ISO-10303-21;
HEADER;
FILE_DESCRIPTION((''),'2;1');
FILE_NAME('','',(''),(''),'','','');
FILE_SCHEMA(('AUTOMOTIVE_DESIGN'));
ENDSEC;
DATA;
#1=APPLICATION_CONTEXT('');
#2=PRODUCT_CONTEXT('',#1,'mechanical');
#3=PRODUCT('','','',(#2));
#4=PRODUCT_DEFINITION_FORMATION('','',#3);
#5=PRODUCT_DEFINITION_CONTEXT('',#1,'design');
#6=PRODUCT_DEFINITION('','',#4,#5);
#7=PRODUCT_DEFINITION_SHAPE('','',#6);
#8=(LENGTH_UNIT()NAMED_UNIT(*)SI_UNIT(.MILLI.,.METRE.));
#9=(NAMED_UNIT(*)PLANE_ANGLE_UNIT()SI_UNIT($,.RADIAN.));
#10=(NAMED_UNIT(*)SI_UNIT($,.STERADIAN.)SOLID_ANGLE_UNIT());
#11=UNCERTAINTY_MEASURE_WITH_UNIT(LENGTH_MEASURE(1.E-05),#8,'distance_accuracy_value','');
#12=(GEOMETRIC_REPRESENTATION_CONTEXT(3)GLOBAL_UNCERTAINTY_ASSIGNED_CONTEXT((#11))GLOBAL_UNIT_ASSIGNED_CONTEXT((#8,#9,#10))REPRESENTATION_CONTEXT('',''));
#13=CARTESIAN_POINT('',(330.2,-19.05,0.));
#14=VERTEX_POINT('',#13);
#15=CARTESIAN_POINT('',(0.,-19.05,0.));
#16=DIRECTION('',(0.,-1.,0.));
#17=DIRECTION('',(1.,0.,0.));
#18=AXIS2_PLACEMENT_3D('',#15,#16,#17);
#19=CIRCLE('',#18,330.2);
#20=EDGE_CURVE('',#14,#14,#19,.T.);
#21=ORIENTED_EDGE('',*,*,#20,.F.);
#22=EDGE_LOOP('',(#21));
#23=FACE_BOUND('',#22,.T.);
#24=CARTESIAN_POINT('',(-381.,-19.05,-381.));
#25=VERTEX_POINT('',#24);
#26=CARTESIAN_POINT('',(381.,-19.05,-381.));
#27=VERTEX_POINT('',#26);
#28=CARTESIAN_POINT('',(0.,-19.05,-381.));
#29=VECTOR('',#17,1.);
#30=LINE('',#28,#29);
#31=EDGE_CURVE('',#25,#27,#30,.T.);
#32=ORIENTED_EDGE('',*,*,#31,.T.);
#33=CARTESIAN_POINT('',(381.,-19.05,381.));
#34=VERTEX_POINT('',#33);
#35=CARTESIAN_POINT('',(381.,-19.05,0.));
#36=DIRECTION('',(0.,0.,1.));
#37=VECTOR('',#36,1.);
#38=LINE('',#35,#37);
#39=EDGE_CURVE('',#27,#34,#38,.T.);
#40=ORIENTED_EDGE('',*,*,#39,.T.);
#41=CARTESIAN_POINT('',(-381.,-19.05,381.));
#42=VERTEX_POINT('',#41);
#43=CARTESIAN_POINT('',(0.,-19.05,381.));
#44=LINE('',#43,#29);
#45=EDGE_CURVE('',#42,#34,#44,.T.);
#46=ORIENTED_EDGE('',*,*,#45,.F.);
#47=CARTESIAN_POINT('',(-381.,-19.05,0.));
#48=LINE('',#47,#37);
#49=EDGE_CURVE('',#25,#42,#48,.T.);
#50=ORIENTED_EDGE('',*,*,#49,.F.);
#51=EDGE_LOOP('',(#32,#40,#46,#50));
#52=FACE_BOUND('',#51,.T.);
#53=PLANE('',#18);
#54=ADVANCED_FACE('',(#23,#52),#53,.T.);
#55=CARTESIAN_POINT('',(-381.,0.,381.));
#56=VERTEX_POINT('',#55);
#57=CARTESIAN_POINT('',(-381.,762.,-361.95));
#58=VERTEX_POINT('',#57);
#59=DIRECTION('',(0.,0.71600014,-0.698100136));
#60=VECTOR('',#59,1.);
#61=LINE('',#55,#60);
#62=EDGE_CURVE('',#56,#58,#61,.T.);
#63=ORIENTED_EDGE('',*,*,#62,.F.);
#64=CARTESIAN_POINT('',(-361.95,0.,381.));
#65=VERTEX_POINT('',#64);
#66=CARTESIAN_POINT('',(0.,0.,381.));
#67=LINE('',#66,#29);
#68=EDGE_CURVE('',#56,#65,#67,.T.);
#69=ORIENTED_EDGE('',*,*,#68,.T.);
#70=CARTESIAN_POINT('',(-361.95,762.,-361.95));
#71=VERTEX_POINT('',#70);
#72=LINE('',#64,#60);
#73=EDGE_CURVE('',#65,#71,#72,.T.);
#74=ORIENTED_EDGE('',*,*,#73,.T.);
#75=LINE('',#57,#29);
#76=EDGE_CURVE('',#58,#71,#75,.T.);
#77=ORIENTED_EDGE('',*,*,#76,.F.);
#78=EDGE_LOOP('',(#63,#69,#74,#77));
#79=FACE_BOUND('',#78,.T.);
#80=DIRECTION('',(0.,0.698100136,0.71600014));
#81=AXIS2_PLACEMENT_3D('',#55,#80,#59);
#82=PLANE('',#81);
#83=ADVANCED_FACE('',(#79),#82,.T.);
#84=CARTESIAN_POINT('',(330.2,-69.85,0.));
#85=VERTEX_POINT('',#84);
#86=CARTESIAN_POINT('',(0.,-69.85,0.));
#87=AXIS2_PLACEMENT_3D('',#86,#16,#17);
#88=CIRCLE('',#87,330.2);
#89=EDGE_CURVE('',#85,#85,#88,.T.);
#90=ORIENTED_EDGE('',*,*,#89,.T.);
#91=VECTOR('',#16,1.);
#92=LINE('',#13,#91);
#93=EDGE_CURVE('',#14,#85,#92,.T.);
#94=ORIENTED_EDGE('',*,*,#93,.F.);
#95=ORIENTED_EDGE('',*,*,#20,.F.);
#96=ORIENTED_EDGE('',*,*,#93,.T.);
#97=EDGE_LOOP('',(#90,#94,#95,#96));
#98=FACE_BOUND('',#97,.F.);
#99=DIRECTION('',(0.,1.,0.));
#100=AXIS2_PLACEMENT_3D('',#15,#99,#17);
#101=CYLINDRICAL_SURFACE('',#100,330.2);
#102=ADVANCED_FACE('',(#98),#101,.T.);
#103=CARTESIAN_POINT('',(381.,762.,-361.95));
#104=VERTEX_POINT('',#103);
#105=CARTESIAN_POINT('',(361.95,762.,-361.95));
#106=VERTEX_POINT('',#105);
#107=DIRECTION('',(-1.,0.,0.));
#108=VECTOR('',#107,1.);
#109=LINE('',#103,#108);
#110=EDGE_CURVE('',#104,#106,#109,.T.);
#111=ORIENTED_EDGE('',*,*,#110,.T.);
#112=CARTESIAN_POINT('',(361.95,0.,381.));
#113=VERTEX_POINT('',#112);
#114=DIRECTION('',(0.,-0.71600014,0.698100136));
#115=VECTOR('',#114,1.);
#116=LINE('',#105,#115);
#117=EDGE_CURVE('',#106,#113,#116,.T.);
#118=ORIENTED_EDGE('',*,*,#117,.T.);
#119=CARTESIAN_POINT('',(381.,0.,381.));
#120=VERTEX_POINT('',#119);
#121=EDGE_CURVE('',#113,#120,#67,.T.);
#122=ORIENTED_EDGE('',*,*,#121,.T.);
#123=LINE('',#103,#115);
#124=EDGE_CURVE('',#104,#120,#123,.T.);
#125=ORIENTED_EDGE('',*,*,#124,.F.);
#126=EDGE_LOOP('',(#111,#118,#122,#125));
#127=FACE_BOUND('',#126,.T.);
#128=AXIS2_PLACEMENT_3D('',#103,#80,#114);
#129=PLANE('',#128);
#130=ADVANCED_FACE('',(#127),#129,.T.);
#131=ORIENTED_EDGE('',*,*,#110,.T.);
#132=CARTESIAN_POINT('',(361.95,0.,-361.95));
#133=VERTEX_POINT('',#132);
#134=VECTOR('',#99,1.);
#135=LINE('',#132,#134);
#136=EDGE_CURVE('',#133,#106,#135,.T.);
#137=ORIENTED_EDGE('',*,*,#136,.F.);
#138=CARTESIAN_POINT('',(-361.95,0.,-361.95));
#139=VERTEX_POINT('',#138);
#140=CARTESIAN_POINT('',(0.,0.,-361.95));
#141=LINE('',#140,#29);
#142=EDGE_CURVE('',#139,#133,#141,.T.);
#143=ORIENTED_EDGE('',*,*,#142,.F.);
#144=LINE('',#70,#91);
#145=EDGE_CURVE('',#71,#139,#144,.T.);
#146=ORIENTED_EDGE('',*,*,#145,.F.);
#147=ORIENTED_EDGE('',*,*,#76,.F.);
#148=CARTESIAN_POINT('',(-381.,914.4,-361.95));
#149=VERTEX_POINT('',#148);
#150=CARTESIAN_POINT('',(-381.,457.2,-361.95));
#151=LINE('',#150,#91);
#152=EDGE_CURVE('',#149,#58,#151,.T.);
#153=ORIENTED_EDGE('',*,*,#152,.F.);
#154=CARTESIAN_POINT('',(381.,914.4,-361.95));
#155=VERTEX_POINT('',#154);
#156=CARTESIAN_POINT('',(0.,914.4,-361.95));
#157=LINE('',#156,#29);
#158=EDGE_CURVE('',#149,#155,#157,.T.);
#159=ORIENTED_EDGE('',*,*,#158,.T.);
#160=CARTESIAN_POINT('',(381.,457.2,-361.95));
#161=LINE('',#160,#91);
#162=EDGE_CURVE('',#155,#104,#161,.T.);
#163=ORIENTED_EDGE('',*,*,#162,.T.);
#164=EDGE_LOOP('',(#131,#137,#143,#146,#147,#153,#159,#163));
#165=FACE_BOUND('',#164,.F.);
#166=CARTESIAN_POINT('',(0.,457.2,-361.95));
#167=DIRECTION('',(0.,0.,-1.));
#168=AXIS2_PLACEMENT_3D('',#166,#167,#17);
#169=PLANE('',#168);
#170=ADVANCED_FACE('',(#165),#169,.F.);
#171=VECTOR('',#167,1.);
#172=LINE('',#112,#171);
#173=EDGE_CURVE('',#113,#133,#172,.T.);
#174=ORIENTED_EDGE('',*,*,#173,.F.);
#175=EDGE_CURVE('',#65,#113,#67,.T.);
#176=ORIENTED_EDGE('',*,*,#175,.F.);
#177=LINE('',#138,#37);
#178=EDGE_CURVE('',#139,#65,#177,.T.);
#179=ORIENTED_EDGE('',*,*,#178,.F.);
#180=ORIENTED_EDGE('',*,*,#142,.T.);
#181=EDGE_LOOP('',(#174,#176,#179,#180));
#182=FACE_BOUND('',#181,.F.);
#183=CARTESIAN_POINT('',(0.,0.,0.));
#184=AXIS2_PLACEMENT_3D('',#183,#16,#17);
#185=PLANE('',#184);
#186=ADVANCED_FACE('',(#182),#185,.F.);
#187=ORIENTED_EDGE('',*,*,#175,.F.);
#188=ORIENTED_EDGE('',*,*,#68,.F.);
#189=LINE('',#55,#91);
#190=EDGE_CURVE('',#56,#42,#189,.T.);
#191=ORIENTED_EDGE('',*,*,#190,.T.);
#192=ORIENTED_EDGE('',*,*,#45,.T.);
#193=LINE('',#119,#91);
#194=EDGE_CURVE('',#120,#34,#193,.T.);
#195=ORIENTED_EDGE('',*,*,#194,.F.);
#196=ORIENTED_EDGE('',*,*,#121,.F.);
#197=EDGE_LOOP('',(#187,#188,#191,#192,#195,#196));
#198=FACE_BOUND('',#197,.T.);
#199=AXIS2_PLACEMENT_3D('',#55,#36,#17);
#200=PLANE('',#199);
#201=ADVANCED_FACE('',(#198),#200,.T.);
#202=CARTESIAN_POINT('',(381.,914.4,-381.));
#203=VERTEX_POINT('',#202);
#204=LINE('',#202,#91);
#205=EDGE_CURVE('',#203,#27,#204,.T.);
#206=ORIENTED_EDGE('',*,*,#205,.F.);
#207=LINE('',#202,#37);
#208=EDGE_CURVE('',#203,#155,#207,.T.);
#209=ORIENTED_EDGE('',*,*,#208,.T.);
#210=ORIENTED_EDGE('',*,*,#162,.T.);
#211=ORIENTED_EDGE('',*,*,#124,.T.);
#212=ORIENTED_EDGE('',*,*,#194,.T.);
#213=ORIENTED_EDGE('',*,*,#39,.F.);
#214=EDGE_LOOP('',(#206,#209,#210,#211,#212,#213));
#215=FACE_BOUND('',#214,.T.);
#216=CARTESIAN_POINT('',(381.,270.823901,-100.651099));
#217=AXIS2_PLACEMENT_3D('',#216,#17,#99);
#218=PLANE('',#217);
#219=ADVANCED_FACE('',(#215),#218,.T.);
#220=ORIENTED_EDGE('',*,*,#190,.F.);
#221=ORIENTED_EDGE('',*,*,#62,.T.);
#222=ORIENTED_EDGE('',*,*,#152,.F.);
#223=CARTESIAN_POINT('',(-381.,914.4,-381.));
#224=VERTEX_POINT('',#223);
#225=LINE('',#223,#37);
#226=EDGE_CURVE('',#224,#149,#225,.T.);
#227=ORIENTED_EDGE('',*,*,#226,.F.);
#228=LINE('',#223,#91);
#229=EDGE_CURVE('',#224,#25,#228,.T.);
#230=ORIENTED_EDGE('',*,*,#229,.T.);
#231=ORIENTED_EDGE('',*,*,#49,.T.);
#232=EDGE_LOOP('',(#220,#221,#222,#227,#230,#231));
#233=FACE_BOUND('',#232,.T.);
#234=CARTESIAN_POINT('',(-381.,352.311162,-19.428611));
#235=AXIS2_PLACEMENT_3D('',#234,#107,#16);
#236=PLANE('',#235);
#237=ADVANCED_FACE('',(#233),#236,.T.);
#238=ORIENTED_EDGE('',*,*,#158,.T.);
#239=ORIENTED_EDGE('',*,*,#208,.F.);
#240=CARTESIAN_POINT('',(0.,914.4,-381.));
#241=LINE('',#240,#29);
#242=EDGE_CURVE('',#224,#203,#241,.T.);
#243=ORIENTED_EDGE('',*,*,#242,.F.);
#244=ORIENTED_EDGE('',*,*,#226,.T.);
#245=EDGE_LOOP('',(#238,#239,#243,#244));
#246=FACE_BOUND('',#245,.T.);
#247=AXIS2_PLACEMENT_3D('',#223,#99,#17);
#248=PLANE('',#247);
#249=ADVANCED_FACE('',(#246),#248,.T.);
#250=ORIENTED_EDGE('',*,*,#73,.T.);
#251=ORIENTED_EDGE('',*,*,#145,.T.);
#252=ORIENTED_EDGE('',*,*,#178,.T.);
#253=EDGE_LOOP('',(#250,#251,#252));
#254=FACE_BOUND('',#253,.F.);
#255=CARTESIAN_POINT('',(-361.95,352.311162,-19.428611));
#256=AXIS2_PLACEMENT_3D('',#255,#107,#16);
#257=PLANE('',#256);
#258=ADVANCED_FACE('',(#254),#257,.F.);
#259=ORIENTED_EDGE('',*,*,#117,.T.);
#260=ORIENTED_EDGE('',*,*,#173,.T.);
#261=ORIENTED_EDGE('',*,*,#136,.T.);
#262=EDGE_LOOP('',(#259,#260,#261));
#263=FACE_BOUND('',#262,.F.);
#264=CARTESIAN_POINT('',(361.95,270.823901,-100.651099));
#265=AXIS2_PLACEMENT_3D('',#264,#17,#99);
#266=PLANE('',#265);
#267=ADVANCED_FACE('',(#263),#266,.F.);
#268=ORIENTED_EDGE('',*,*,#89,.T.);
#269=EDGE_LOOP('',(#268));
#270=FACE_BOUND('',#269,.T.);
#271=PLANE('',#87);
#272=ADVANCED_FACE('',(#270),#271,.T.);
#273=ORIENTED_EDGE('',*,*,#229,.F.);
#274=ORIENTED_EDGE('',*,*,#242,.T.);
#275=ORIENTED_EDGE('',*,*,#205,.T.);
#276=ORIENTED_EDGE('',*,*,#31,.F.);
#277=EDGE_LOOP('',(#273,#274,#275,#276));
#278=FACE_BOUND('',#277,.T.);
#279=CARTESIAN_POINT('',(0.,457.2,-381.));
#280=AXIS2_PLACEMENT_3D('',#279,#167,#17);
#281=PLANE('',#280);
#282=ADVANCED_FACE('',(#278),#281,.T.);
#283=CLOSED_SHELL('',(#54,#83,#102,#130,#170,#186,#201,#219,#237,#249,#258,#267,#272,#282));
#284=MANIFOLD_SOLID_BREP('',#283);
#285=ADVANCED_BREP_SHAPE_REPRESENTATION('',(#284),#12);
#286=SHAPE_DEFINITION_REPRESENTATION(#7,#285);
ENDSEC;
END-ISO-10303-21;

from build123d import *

# Parameters (mm, degrees)
F0_W     = 762
F0_H     = 762
F1_DEPTH = 19.05
F2_W     = 762
F2_H     = 914.4
F3_DEPTH = 19.05
F5_DEPTH = 19.05
F7_DEPTH = 19.05
F8_R     = 330.2
F9_DEPTH = 50.8


with BuildPart() as f1:
    # F0 (on Front) → F1 (new body)
    with BuildSketch(Plane.XZ):
        Rectangle(F0_W, F0_H)
    extrude(amount=F1_DEPTH)

    # F2 (on face) → F3 (join)
    with BuildSketch(Plane(origin=(0, 0, -381), x_dir=(1, 0, 0), z_dir=(0, 0, -1))):
        with Locations((0, -457.2)):
            Rectangle(F2_W, F2_H)
    extrude(amount=-F3_DEPTH)

    # F4 (on face) → F5 (join)
    with BuildSketch(Plane(origin=(-381, 0, 0), x_dir=(0, -1, 0), z_dir=(-1, 0, 0))):
        Polygon((0, 273.05), (0, 381), (-762, -361.95), (-635, -361.95), (0, 257.175), align=None)
        Polygon((0, -361.95), (0, 257.175), (-635, -361.95), align=None)
    extrude(amount=-F5_DEPTH)

    # F6 (on face) → F7 (join)
    with BuildSketch(Plane.YZ.offset(381)):
        Polygon((0, 381), (0, -361.95), (762, -361.95), align=None)
    extrude(amount=-F7_DEPTH)

    # F8 (on face) → F9 (join)
    with BuildSketch(Plane.XZ.offset(19.05)):
        Circle(F8_R)
    extrude(amount=F9_DEPTH)


solid = f1.part
